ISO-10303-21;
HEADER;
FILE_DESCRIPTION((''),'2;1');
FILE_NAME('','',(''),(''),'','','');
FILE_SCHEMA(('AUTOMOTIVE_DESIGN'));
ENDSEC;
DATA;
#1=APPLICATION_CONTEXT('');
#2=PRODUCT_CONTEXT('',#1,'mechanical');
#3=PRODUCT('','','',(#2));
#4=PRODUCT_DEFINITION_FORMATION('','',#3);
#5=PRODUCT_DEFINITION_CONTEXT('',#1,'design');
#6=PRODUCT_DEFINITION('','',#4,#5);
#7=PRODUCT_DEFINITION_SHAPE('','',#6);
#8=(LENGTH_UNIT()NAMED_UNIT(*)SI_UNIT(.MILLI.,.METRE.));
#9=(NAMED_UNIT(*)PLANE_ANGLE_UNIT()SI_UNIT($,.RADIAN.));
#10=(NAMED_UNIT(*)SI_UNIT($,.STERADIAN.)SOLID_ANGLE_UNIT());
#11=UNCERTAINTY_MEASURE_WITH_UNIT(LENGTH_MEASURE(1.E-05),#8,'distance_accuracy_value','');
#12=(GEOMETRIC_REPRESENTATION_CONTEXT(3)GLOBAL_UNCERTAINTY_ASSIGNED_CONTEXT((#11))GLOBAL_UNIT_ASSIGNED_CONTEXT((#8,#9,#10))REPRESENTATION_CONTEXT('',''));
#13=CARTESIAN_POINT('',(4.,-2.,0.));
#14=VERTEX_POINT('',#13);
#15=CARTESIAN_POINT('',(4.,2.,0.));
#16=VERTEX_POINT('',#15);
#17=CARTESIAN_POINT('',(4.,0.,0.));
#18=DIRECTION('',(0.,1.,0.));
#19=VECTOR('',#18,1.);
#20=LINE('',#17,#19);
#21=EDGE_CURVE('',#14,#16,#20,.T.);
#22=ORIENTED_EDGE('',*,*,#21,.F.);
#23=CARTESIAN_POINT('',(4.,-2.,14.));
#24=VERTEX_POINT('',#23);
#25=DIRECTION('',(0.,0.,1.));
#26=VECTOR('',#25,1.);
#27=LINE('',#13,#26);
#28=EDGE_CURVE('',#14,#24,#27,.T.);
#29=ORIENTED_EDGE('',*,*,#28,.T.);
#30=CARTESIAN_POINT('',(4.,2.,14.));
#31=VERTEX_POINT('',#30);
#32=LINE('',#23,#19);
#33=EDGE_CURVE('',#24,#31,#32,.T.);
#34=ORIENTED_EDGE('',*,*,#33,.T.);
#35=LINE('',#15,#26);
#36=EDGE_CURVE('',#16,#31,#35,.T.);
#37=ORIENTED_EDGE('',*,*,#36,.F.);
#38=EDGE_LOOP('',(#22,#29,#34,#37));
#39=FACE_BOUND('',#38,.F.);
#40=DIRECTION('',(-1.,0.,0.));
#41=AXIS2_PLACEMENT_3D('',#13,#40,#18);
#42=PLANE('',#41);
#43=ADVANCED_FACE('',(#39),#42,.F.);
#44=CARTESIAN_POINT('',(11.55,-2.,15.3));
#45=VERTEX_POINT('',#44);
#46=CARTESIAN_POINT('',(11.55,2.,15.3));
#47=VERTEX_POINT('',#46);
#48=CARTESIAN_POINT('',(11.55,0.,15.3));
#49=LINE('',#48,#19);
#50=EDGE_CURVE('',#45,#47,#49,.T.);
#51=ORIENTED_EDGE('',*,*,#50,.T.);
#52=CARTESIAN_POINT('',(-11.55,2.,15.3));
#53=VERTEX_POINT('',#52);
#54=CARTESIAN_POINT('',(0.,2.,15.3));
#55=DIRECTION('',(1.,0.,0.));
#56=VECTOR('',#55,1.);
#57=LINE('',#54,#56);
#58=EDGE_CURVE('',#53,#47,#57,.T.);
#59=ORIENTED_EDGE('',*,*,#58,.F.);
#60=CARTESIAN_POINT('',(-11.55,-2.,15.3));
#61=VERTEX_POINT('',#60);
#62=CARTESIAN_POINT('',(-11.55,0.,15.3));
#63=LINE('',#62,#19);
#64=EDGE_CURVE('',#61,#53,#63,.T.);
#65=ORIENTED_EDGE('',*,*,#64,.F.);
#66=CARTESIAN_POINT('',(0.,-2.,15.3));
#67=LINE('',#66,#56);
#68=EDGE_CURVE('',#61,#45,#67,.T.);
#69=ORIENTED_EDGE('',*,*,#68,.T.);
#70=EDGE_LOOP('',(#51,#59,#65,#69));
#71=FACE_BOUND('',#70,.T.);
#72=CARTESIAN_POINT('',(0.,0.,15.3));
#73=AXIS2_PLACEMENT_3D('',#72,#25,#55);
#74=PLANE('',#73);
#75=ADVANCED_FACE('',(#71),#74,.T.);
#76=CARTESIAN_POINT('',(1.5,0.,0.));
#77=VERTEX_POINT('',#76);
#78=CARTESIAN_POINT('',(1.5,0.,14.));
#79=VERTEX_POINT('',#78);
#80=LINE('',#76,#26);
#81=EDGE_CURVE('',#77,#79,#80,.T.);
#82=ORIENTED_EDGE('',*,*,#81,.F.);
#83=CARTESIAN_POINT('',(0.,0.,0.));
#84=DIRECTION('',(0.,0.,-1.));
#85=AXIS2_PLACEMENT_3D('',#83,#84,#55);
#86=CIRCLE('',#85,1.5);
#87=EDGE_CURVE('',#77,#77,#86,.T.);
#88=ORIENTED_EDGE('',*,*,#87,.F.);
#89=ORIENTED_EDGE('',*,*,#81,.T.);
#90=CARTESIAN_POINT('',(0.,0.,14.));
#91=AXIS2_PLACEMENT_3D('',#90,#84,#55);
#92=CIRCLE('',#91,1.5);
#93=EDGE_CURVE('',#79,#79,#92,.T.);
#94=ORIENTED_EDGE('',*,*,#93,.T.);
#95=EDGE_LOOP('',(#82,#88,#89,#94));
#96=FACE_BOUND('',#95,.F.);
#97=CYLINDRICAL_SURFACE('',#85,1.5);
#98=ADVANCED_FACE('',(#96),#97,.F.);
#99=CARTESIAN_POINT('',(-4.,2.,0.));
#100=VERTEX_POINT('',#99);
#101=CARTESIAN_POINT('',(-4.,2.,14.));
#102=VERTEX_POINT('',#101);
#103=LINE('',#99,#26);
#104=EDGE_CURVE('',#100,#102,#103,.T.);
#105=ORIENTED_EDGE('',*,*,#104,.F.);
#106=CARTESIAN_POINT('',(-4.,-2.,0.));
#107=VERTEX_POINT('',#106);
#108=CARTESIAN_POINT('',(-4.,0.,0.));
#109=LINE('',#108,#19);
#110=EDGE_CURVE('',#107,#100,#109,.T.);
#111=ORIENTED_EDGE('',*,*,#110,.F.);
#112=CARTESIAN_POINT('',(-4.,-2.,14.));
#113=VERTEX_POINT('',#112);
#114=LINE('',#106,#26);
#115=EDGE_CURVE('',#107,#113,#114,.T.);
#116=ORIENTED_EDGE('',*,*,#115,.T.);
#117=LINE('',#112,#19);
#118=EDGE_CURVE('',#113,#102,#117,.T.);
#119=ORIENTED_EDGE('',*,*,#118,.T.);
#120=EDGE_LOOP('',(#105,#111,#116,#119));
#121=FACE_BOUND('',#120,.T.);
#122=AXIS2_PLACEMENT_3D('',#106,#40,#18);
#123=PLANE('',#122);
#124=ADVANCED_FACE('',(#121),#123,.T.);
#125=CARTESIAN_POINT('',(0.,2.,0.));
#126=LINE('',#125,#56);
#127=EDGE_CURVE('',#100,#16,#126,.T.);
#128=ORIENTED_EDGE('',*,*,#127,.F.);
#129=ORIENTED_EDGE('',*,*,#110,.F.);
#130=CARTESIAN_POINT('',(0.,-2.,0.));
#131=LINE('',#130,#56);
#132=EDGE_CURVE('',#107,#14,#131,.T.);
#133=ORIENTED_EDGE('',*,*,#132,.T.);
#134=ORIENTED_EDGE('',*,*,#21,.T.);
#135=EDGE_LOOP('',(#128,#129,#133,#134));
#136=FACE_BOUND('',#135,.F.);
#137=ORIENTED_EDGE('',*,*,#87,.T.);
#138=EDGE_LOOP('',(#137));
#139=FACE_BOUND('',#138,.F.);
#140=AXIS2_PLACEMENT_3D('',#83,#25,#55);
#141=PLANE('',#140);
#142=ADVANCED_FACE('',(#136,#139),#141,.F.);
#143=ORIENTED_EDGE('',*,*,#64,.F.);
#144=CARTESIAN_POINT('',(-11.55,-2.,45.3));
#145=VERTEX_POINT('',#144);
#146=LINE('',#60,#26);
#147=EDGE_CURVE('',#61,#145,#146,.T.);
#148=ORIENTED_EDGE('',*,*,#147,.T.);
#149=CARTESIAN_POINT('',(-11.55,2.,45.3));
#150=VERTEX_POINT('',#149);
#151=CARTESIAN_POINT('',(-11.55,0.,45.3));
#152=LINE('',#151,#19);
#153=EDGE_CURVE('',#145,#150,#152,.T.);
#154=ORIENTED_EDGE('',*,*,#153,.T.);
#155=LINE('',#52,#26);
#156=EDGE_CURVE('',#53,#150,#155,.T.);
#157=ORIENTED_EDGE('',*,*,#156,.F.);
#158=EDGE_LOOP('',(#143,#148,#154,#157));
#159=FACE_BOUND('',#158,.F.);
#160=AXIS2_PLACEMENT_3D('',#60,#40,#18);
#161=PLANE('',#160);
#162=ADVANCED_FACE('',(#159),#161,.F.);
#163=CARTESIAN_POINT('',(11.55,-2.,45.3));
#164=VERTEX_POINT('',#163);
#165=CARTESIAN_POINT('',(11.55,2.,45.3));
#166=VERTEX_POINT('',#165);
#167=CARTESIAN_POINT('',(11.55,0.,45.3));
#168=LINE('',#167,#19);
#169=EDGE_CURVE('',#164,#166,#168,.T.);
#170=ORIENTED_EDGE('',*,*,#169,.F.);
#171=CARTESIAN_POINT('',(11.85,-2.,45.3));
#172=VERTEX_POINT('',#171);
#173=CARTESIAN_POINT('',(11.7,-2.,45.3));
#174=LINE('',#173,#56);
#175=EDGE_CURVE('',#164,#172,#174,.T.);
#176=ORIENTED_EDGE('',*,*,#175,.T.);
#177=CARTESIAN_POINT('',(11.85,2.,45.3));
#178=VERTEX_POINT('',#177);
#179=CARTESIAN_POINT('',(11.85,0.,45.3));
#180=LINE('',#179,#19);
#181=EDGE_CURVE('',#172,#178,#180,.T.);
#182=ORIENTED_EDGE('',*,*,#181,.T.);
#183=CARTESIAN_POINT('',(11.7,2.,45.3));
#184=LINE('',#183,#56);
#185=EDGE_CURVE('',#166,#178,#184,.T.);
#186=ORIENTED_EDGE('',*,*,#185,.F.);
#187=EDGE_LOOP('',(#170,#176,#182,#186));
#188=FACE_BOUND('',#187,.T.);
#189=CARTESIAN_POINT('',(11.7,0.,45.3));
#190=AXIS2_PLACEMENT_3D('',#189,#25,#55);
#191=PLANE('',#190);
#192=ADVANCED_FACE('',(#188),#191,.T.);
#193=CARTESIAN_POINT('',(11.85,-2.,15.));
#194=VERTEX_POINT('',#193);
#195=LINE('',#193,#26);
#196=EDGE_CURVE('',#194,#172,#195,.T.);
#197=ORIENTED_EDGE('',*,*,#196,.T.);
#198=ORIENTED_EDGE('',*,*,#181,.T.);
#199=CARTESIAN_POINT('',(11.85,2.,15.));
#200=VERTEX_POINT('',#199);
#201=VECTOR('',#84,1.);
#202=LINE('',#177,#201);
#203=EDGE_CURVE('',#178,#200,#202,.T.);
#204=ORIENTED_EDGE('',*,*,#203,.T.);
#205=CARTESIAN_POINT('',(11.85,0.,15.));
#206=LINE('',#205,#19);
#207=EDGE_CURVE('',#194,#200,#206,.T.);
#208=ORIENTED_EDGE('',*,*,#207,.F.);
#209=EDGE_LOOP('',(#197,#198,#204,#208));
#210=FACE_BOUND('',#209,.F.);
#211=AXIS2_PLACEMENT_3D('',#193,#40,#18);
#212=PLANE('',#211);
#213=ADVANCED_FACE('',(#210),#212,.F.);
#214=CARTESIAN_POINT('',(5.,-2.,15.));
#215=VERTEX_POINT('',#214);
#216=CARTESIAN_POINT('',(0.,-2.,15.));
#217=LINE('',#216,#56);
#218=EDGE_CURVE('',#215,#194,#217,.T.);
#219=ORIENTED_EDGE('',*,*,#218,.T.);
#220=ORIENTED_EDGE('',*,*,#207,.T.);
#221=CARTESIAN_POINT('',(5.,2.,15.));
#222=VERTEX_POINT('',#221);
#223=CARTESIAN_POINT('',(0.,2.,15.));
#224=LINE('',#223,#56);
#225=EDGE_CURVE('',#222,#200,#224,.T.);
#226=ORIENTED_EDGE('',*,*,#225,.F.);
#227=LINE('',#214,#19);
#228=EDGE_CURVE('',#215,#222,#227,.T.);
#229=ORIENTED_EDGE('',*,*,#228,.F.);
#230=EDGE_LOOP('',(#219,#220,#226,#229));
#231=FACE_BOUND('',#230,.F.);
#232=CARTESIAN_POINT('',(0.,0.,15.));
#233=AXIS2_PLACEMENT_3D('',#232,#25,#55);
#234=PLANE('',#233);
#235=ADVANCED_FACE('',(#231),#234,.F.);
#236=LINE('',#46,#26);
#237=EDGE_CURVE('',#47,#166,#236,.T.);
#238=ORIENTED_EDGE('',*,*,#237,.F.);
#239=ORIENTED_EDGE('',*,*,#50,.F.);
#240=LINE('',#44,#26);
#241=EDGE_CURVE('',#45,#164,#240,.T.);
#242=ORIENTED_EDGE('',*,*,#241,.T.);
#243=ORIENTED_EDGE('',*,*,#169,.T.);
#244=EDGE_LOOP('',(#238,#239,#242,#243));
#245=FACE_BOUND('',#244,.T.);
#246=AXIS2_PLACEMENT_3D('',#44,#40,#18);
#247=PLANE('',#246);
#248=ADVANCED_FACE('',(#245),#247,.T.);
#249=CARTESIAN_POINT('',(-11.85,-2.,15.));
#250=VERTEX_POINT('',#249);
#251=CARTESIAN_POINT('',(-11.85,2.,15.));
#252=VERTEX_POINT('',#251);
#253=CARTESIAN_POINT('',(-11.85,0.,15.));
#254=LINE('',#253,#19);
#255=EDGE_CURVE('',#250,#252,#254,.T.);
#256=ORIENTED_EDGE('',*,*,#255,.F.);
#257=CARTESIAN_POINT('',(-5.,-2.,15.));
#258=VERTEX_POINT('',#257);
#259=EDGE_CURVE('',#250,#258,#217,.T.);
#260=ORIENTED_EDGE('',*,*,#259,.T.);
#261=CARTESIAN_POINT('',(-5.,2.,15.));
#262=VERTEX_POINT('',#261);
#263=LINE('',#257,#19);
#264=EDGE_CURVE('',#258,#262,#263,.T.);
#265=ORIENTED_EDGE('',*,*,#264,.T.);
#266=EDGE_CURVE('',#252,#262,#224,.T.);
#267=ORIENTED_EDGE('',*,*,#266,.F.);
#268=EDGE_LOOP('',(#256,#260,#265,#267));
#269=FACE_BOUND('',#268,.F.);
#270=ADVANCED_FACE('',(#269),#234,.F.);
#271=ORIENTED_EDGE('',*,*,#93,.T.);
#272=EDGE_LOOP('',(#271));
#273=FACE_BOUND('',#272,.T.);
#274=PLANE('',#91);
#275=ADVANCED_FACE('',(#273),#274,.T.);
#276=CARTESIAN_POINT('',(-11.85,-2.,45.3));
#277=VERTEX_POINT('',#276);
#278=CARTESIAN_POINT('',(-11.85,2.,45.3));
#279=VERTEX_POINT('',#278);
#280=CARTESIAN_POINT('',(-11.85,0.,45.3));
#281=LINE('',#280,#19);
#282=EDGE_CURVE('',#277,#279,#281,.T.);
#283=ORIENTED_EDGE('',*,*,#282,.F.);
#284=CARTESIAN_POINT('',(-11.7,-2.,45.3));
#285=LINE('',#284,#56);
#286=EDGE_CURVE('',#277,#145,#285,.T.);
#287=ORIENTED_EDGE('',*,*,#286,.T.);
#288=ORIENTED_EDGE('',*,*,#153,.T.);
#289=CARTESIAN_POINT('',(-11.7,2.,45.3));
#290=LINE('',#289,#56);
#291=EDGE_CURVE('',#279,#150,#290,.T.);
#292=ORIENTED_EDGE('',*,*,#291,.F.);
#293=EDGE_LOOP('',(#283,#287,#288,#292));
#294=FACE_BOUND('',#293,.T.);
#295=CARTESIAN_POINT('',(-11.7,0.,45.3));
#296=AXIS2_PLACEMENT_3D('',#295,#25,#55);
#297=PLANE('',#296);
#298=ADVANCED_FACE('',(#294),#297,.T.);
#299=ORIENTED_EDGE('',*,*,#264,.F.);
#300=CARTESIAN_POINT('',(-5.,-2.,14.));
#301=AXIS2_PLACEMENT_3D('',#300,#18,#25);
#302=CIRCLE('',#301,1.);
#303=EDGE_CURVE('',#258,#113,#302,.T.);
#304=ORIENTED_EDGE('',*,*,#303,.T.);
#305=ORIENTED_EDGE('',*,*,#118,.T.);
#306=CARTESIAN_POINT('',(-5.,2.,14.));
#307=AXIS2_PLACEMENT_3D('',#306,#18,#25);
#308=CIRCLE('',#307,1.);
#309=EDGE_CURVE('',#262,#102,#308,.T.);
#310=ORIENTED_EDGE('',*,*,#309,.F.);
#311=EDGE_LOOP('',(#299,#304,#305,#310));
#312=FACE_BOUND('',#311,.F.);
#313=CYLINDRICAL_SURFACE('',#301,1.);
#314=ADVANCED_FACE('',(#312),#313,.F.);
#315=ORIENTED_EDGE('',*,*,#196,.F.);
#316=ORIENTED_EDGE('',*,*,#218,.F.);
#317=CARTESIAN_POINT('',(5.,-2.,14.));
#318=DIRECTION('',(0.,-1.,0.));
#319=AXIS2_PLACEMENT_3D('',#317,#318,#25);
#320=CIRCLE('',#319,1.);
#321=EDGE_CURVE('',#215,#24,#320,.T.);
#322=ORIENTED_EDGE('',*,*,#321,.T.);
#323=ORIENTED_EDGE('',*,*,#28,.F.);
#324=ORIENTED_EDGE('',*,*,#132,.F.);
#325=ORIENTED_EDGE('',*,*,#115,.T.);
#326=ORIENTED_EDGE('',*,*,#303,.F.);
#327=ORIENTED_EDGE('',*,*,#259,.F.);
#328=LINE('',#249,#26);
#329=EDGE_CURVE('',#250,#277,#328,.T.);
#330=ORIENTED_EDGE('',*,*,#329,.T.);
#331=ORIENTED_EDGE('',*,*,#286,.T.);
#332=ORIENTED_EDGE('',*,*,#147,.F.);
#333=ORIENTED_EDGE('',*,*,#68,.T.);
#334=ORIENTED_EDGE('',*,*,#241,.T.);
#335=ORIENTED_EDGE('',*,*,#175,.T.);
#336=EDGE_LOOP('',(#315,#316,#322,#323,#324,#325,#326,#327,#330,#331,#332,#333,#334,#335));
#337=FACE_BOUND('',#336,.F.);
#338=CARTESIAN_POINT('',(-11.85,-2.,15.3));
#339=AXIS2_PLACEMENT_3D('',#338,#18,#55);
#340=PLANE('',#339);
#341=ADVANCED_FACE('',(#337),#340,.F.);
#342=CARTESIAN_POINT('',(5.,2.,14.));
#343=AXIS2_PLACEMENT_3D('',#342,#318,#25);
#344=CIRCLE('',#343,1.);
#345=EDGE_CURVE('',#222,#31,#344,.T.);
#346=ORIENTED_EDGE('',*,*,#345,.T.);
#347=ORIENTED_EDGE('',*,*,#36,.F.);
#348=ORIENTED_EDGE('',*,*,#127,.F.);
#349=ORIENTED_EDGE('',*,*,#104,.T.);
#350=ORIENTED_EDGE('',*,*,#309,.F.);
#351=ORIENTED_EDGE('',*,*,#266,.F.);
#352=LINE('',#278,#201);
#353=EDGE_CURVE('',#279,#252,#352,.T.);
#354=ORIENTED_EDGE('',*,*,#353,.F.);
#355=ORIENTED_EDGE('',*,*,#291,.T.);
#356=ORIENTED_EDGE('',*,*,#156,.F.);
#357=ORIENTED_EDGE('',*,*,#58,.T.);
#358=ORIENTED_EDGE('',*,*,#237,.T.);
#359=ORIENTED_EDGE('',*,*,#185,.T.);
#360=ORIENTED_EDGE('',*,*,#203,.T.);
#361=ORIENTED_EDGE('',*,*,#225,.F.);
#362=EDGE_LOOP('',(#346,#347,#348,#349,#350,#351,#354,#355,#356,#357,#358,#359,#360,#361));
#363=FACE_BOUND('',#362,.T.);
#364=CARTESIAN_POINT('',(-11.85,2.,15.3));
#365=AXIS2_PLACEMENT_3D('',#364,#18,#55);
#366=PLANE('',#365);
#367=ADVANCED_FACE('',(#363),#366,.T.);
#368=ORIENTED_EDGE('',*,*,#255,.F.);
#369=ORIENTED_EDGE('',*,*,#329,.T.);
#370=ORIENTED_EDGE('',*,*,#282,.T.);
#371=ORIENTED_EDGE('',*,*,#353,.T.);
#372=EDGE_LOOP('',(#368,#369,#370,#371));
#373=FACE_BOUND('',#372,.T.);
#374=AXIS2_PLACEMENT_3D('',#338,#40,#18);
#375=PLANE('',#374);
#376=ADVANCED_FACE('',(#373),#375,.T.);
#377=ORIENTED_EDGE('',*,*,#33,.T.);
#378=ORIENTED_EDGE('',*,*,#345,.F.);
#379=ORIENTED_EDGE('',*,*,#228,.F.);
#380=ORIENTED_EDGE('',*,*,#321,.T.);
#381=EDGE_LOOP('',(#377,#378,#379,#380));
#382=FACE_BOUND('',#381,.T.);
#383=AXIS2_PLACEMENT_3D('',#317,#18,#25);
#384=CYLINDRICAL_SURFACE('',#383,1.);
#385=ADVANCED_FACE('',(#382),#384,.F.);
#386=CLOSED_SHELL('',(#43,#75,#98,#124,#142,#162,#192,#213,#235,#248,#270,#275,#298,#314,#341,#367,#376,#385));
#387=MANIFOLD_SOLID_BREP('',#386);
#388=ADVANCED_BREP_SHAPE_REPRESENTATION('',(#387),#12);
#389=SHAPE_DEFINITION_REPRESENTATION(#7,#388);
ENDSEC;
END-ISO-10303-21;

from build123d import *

# Parameters (mm, degrees)
F0_W     = 8
F0_H     = 4
F1_DEPTH = 15
F2_R     = 1.5
F3_DEPTH = 14
F4_W     = 23.7
F4_H     = 4
F5_DEPTH = 0.3
F6_R     = 1
F7_W     = 0.3
F7_H     = 4
F8_DEPTH = 30


with BuildPart() as f1:
    # F0 (on Top) → F1 (new body)
    with BuildSketch(Plane.XY):
        Rectangle(F0_W, F0_H)
    extrude(amount=F1_DEPTH)

    # F2 (on face) → F3 (cut)
    with BuildSketch(Plane(origin=(0, 0, 0), x_dir=(1, 0, 0), z_dir=(0, 0, -1))):
        Circle(F2_R)
    extrude(amount=-F3_DEPTH, mode=Mode.SUBTRACT)

    # F4 (on face) → F5 (join)
    with BuildSketch(Plane.XY.offset(15)):
        Rectangle(F4_W, F4_H)
    extrude(amount=F5_DEPTH)

    # F6
    f6_edges = [f1.edges().sort_by_distance(p)[0] for p in [
        (-4, 0, 15),
        (4, 0, 15),
    ]]
    fillet(f6_edges, radius=F6_R)

    # F7 (on face) → F8 (join)
    with BuildSketch(Plane.XY.offset(15.3)):
        with Locations((-11.7, 0)):
            Rectangle(F7_W, F7_H)
        with Locations((11.7, 0)):
            Rectangle(F7_W, F7_H)
    extrude(amount=F8_DEPTH)


solid = f1.part
